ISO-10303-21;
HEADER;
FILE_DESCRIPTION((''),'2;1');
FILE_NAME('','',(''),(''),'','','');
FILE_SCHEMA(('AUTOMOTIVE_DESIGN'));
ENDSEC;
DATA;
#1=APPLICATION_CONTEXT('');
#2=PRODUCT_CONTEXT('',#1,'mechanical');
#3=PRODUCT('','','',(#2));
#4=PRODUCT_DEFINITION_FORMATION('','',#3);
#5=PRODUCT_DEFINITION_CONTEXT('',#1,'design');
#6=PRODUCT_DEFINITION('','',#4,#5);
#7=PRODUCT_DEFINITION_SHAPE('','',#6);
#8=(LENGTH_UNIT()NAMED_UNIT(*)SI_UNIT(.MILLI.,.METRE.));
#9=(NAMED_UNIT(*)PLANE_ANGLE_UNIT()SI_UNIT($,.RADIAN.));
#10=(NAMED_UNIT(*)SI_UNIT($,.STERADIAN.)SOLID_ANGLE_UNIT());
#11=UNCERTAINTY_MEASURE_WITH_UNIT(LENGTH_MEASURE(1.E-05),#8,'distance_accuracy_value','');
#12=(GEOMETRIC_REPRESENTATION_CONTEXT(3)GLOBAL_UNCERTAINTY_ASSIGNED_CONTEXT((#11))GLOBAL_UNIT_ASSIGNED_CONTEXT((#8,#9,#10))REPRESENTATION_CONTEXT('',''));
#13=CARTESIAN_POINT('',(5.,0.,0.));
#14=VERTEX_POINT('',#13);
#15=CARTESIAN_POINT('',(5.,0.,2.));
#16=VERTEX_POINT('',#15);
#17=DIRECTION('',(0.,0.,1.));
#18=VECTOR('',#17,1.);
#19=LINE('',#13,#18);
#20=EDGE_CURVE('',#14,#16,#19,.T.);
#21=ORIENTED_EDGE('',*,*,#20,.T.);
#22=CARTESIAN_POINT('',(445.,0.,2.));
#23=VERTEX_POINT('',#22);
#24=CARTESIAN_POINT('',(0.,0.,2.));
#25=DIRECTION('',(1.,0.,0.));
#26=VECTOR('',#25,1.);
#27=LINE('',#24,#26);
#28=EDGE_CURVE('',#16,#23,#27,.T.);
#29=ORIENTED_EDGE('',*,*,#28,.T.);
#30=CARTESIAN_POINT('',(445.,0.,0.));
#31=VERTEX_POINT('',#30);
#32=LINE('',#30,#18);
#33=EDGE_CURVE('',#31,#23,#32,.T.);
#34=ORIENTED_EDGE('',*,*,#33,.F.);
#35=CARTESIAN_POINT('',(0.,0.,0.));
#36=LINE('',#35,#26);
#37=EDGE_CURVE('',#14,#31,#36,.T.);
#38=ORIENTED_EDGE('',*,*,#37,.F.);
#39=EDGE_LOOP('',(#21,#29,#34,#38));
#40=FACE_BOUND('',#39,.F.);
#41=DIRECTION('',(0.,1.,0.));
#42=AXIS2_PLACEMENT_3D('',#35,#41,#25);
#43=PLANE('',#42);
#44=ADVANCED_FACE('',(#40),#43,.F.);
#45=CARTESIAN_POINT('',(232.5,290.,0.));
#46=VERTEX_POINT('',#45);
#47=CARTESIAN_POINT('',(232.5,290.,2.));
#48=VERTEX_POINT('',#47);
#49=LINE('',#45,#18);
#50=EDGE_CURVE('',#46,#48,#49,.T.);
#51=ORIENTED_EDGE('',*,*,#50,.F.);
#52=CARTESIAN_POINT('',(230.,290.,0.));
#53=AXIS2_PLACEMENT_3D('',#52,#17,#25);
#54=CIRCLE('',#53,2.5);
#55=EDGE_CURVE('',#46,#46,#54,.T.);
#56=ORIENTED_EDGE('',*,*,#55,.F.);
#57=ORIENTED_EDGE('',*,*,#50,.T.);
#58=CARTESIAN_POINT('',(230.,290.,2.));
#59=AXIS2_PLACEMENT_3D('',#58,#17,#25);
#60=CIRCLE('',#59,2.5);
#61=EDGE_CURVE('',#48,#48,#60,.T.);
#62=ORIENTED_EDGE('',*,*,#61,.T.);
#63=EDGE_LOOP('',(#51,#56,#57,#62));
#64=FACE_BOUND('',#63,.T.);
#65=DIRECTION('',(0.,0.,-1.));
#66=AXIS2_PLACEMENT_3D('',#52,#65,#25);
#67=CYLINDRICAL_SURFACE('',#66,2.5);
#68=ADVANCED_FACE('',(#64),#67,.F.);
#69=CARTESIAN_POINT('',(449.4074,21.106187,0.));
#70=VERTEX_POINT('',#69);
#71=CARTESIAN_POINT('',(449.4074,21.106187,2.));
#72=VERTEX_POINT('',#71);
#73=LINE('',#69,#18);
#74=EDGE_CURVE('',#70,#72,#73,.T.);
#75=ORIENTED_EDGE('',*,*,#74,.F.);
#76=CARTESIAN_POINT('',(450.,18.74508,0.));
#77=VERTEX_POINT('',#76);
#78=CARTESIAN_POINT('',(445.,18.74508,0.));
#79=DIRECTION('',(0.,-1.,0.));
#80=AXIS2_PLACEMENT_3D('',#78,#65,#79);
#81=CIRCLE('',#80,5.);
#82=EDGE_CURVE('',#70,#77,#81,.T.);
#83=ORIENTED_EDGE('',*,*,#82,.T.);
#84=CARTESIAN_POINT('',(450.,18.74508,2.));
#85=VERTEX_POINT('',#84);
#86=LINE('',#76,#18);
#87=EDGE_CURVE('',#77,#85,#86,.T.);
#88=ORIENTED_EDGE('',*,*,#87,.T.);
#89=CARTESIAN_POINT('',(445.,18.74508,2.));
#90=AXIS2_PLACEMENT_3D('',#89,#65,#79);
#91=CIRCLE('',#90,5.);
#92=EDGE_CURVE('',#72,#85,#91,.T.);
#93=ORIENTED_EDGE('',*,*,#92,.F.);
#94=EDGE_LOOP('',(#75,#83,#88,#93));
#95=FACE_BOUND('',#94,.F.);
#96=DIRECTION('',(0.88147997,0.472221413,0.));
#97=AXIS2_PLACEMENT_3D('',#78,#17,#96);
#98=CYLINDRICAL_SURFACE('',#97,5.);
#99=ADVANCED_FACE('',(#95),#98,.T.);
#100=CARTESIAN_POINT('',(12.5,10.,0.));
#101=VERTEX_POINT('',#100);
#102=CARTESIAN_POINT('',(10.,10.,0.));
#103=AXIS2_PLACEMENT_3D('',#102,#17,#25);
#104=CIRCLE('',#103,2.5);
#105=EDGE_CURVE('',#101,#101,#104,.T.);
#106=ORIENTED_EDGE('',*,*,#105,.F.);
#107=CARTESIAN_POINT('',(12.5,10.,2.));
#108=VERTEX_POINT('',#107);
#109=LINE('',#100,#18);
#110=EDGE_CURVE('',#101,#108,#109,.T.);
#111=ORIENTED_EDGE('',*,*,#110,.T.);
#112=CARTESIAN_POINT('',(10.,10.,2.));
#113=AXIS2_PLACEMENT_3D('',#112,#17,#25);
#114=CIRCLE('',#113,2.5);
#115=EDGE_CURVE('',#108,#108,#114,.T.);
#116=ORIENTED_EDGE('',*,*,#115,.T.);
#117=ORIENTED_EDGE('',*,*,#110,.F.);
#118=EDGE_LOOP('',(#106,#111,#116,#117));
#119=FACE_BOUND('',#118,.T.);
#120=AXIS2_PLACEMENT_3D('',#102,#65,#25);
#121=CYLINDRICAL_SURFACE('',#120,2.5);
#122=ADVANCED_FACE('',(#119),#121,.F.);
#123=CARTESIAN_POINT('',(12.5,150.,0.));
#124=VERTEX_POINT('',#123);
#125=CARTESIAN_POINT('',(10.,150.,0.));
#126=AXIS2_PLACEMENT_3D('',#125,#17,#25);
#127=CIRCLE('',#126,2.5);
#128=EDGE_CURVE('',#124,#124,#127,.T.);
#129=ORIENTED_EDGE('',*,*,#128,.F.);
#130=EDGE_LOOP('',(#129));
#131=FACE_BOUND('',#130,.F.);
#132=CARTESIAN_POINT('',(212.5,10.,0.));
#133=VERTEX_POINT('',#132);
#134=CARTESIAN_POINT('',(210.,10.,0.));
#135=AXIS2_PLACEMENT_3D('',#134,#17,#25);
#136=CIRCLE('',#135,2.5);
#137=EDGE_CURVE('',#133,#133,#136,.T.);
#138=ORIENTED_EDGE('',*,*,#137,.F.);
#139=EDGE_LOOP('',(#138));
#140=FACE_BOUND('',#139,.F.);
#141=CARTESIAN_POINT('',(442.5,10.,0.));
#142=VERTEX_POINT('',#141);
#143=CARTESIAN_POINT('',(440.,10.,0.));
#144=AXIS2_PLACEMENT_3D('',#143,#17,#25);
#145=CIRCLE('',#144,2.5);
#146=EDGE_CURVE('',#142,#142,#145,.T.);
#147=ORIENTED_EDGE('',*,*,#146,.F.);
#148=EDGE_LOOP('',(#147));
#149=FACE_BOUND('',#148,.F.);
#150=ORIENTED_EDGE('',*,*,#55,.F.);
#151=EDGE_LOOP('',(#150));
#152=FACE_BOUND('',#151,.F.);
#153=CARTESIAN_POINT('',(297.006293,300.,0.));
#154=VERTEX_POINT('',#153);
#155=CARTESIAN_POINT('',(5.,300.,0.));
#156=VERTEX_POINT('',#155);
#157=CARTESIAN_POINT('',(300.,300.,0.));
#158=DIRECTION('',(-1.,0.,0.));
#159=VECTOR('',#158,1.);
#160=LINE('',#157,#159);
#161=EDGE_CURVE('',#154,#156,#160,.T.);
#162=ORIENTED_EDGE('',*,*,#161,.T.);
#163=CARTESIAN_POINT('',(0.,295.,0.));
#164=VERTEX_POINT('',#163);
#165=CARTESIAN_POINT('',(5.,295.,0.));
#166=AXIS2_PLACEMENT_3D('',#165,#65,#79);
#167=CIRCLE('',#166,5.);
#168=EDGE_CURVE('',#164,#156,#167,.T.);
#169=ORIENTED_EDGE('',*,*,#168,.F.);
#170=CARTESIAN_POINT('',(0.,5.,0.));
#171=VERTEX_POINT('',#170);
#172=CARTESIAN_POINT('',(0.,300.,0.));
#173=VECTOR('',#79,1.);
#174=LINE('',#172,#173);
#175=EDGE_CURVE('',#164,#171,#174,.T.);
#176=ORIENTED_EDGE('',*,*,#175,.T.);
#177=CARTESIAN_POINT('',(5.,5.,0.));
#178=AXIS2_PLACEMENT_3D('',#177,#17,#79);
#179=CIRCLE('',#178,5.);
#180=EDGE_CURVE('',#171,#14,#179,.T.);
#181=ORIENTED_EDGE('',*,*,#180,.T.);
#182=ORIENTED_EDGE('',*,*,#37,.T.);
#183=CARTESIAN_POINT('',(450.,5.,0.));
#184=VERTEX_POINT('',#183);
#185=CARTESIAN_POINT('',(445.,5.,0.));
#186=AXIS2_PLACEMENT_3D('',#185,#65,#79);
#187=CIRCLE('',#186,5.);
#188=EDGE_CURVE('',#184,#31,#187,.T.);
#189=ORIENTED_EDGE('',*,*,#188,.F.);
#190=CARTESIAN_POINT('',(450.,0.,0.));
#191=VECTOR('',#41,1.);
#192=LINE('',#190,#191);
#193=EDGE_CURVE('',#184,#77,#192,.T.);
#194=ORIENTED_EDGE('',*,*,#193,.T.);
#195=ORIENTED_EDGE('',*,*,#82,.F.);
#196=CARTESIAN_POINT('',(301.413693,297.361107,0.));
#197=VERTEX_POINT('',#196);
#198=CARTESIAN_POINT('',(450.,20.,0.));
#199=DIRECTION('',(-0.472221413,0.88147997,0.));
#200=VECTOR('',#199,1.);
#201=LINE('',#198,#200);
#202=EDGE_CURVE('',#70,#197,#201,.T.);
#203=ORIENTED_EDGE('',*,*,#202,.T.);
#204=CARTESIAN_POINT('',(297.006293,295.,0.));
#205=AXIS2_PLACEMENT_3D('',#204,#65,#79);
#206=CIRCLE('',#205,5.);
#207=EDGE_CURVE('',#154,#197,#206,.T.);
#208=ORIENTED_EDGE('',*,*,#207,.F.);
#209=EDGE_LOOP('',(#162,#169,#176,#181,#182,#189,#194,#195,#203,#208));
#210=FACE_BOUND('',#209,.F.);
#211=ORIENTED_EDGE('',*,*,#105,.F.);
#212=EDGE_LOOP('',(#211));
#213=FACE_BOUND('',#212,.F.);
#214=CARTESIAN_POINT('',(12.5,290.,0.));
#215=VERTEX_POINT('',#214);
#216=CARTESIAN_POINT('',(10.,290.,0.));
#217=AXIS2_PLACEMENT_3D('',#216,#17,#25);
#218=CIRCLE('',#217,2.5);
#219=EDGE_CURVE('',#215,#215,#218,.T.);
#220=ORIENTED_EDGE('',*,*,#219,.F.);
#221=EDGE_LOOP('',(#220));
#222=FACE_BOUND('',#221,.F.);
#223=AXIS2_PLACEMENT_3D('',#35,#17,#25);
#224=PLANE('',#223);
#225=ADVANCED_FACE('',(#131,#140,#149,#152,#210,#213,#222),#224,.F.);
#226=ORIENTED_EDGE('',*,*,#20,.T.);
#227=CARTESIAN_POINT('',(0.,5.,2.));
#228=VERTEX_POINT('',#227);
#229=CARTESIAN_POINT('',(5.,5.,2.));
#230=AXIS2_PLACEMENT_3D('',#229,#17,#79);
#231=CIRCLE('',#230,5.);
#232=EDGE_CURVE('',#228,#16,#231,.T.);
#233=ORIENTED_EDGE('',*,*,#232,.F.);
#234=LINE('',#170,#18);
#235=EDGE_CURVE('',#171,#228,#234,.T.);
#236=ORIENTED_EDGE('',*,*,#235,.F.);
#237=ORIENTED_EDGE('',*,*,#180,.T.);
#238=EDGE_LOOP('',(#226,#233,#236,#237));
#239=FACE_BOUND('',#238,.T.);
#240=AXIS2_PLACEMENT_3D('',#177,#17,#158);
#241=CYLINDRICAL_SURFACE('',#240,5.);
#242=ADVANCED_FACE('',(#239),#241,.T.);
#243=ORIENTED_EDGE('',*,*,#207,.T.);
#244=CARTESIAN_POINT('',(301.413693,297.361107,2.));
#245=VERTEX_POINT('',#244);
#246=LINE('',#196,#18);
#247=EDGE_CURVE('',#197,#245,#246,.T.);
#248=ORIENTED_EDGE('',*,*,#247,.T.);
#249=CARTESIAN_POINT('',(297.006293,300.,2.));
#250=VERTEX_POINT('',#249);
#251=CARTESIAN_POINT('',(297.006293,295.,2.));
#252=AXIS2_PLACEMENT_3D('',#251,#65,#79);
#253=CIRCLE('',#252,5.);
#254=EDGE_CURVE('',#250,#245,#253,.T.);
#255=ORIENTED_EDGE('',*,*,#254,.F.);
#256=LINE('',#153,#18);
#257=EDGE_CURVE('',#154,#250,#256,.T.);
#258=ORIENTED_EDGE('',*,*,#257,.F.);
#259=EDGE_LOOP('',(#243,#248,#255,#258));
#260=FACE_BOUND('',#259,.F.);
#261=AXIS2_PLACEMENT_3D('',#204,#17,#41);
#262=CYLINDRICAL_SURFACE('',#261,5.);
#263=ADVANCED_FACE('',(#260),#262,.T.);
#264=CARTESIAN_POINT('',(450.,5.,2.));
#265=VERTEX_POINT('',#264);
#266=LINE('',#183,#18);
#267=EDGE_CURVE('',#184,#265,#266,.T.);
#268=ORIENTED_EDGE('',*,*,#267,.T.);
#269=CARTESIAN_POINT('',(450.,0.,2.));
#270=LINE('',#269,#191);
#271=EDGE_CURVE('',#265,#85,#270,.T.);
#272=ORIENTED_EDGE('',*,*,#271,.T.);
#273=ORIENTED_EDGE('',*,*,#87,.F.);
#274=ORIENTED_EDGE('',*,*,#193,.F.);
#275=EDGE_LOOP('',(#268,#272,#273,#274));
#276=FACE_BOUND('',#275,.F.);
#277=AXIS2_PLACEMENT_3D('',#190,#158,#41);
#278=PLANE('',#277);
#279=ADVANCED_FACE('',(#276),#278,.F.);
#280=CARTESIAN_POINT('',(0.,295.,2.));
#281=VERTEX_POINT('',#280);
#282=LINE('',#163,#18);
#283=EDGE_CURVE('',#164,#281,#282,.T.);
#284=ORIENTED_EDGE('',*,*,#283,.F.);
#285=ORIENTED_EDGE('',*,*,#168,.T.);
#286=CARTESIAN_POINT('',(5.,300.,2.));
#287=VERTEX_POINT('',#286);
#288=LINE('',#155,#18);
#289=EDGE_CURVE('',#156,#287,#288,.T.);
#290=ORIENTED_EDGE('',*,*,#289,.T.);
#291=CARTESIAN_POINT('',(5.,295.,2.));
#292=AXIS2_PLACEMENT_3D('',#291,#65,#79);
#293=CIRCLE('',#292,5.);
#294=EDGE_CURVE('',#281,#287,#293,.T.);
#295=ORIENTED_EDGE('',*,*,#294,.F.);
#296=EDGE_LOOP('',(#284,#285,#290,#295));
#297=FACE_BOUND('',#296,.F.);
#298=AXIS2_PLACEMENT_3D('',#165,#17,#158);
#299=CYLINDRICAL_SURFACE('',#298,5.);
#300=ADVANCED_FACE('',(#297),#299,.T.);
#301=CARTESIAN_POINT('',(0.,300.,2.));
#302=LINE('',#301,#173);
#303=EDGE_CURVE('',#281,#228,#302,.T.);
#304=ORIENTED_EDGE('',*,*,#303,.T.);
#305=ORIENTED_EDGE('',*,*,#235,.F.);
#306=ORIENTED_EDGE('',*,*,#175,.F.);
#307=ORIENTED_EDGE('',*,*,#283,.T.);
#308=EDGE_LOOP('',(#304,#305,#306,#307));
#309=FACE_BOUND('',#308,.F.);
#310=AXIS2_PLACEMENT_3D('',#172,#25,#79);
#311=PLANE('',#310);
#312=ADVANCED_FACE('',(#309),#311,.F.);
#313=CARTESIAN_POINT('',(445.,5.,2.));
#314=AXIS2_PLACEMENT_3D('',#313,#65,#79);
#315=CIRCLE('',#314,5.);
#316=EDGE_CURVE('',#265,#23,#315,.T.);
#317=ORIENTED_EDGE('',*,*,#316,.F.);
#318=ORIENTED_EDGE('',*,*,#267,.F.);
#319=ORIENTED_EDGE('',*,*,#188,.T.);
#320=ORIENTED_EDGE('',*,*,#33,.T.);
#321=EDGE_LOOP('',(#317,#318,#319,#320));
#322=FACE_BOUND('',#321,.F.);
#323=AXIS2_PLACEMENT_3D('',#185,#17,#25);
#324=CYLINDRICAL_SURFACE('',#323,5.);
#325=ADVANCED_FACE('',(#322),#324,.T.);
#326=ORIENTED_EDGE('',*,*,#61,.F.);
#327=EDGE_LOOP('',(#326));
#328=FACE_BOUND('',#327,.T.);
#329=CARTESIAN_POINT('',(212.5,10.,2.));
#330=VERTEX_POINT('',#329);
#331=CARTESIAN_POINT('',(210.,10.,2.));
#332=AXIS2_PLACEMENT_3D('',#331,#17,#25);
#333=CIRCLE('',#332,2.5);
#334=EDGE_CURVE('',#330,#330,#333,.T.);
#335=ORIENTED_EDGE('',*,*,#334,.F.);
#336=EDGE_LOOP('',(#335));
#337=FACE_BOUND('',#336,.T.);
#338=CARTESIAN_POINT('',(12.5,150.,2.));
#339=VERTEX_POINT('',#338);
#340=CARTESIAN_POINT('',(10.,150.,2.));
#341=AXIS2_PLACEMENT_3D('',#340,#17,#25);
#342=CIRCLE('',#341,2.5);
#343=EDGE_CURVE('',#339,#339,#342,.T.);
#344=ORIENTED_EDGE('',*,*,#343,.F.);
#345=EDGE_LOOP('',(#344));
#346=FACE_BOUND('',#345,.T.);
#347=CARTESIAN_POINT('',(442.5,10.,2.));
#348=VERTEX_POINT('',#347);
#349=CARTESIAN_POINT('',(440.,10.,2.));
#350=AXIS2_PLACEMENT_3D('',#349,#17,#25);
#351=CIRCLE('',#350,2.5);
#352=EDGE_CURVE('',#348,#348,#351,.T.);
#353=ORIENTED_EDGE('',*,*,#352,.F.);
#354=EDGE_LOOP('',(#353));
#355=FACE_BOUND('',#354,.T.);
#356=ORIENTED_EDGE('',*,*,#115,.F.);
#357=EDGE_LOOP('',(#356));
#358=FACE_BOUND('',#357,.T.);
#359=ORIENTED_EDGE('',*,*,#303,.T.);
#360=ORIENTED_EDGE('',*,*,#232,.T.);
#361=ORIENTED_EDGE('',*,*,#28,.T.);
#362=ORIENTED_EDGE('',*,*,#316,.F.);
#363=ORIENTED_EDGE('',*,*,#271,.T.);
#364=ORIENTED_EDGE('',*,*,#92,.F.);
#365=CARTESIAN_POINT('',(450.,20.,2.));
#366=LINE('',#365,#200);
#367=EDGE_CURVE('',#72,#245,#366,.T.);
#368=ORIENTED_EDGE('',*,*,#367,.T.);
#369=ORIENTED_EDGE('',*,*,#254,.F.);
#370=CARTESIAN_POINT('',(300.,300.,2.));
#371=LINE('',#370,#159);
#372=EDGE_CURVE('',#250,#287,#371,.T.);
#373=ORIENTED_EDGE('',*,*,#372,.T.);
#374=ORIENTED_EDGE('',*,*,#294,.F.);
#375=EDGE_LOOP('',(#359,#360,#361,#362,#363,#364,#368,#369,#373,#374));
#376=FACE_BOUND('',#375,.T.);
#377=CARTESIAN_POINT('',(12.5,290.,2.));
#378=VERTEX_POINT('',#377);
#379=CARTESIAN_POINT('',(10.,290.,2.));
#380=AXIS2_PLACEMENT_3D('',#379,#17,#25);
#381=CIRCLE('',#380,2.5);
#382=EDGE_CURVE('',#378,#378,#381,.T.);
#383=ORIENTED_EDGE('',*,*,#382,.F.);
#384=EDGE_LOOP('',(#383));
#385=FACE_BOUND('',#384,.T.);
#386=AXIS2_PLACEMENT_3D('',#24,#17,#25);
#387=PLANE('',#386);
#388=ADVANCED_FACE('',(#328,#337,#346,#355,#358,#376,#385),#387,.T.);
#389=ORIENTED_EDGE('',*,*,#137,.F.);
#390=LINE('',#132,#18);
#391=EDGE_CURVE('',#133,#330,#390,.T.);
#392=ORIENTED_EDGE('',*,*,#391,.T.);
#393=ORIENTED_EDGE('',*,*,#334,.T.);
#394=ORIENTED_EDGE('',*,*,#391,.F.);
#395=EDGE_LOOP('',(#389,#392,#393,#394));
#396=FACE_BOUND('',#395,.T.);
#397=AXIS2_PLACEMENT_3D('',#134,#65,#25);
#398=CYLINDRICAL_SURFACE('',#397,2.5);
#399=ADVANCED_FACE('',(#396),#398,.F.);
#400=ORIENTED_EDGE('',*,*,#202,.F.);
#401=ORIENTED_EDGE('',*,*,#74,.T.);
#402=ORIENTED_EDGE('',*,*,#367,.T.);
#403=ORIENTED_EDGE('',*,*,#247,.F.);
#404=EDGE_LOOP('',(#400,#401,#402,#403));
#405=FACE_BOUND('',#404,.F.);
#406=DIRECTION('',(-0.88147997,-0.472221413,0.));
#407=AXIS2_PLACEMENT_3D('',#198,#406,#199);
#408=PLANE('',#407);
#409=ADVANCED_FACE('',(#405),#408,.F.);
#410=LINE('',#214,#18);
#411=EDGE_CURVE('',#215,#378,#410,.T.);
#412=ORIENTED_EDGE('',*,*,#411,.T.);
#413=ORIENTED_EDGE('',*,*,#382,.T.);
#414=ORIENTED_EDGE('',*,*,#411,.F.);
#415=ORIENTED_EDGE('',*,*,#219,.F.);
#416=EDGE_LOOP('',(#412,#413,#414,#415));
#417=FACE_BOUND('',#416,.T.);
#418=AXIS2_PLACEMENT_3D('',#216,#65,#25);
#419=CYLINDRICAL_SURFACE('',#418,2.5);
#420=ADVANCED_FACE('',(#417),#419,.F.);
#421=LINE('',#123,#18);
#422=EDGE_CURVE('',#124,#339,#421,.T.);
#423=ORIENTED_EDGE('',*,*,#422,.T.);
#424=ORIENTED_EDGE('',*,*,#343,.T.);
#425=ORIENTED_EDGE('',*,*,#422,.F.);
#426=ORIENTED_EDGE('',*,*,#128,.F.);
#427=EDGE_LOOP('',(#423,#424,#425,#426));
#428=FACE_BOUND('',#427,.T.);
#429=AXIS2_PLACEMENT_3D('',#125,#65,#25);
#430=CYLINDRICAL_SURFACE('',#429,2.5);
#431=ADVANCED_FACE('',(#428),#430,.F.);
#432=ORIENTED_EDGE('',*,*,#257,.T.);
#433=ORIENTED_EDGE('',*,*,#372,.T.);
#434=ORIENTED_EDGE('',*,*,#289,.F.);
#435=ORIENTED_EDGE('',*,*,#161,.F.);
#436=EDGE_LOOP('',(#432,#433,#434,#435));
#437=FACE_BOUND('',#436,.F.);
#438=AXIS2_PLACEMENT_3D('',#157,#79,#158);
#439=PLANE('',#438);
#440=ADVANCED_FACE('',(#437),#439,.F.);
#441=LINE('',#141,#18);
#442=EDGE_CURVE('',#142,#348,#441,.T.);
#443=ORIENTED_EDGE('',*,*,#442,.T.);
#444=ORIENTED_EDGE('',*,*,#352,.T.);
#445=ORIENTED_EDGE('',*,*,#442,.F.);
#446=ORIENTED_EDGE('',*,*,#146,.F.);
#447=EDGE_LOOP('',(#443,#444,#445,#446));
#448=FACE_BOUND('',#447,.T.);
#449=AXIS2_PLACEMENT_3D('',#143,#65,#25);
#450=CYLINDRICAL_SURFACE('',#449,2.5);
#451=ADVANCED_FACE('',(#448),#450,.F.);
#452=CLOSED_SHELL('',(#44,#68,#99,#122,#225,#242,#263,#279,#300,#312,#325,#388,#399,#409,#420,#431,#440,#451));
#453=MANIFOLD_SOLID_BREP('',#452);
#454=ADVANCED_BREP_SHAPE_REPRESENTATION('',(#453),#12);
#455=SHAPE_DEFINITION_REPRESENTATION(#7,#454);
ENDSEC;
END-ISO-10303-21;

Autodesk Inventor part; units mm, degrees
ref_plane "YZ Plane" through (0, 0, 0) normal (1, 0, 0) x (0, 1, 0)
ref_plane "XZ Plane" through (0, 0, 0) normal (0, 1, 0) x (-1, 0, 0)
ref_plane "XY Plane" through (0, 0, 0) normal (0, 0, 1) x (1, 0, 0)
sketch "スケッチ1" plane through (0, 0, 0) normal (0, 0, 1) x (1, 0, 0)
  line L0 (0, 0) -> (450, 0)
  line L1 (450, 0) -> (450, 20)
  line L2 (450, 20) -> (300, 300)
  line L3 (300, 300) -> (0, 300)
  line L4 (0, 300) -> (0, 0)
  line L5 (10, 290) -> (294.0126, 290) construction
  line L6 (294.0126, 290) -> (444.0126, 10) construction
  line L7 (444.0126, 10) -> (10, 10) construction
  line L8 (10, 10) -> (10, 290) construction
  circle A0 centre (10, 290) radius 2.5
  circle A1 centre (10, 10) radius 2.5
  circle A2 centre (10, 150) radius 2.5
  circle A3 centre (210, 10) radius 2.5
  circle A4 centre (440, 10) radius 2.5
  circle A5 centre (230, 290) radius 2.5
  dimension "d0" = 300
  dimension "d1" = 450
  dimension "d2" = 300
  dimension "d3" = 20
  dimension "d6" = 10
  dimension "d7" = 5
  dimension "d8" = 10
  dimension "d9" = 200
  dimension "d10" = 220
extrude "押し出し1" add sketch "スケッチ1" along normal blind 2
fillet "フィレット1" radius 5 5 edges at (450, 0, 1) (450, 20, 1) (0, 0, 1) (300, 300, 1) (0, 300, 1)
properties part number "防水1" material "PET プラスチック"
